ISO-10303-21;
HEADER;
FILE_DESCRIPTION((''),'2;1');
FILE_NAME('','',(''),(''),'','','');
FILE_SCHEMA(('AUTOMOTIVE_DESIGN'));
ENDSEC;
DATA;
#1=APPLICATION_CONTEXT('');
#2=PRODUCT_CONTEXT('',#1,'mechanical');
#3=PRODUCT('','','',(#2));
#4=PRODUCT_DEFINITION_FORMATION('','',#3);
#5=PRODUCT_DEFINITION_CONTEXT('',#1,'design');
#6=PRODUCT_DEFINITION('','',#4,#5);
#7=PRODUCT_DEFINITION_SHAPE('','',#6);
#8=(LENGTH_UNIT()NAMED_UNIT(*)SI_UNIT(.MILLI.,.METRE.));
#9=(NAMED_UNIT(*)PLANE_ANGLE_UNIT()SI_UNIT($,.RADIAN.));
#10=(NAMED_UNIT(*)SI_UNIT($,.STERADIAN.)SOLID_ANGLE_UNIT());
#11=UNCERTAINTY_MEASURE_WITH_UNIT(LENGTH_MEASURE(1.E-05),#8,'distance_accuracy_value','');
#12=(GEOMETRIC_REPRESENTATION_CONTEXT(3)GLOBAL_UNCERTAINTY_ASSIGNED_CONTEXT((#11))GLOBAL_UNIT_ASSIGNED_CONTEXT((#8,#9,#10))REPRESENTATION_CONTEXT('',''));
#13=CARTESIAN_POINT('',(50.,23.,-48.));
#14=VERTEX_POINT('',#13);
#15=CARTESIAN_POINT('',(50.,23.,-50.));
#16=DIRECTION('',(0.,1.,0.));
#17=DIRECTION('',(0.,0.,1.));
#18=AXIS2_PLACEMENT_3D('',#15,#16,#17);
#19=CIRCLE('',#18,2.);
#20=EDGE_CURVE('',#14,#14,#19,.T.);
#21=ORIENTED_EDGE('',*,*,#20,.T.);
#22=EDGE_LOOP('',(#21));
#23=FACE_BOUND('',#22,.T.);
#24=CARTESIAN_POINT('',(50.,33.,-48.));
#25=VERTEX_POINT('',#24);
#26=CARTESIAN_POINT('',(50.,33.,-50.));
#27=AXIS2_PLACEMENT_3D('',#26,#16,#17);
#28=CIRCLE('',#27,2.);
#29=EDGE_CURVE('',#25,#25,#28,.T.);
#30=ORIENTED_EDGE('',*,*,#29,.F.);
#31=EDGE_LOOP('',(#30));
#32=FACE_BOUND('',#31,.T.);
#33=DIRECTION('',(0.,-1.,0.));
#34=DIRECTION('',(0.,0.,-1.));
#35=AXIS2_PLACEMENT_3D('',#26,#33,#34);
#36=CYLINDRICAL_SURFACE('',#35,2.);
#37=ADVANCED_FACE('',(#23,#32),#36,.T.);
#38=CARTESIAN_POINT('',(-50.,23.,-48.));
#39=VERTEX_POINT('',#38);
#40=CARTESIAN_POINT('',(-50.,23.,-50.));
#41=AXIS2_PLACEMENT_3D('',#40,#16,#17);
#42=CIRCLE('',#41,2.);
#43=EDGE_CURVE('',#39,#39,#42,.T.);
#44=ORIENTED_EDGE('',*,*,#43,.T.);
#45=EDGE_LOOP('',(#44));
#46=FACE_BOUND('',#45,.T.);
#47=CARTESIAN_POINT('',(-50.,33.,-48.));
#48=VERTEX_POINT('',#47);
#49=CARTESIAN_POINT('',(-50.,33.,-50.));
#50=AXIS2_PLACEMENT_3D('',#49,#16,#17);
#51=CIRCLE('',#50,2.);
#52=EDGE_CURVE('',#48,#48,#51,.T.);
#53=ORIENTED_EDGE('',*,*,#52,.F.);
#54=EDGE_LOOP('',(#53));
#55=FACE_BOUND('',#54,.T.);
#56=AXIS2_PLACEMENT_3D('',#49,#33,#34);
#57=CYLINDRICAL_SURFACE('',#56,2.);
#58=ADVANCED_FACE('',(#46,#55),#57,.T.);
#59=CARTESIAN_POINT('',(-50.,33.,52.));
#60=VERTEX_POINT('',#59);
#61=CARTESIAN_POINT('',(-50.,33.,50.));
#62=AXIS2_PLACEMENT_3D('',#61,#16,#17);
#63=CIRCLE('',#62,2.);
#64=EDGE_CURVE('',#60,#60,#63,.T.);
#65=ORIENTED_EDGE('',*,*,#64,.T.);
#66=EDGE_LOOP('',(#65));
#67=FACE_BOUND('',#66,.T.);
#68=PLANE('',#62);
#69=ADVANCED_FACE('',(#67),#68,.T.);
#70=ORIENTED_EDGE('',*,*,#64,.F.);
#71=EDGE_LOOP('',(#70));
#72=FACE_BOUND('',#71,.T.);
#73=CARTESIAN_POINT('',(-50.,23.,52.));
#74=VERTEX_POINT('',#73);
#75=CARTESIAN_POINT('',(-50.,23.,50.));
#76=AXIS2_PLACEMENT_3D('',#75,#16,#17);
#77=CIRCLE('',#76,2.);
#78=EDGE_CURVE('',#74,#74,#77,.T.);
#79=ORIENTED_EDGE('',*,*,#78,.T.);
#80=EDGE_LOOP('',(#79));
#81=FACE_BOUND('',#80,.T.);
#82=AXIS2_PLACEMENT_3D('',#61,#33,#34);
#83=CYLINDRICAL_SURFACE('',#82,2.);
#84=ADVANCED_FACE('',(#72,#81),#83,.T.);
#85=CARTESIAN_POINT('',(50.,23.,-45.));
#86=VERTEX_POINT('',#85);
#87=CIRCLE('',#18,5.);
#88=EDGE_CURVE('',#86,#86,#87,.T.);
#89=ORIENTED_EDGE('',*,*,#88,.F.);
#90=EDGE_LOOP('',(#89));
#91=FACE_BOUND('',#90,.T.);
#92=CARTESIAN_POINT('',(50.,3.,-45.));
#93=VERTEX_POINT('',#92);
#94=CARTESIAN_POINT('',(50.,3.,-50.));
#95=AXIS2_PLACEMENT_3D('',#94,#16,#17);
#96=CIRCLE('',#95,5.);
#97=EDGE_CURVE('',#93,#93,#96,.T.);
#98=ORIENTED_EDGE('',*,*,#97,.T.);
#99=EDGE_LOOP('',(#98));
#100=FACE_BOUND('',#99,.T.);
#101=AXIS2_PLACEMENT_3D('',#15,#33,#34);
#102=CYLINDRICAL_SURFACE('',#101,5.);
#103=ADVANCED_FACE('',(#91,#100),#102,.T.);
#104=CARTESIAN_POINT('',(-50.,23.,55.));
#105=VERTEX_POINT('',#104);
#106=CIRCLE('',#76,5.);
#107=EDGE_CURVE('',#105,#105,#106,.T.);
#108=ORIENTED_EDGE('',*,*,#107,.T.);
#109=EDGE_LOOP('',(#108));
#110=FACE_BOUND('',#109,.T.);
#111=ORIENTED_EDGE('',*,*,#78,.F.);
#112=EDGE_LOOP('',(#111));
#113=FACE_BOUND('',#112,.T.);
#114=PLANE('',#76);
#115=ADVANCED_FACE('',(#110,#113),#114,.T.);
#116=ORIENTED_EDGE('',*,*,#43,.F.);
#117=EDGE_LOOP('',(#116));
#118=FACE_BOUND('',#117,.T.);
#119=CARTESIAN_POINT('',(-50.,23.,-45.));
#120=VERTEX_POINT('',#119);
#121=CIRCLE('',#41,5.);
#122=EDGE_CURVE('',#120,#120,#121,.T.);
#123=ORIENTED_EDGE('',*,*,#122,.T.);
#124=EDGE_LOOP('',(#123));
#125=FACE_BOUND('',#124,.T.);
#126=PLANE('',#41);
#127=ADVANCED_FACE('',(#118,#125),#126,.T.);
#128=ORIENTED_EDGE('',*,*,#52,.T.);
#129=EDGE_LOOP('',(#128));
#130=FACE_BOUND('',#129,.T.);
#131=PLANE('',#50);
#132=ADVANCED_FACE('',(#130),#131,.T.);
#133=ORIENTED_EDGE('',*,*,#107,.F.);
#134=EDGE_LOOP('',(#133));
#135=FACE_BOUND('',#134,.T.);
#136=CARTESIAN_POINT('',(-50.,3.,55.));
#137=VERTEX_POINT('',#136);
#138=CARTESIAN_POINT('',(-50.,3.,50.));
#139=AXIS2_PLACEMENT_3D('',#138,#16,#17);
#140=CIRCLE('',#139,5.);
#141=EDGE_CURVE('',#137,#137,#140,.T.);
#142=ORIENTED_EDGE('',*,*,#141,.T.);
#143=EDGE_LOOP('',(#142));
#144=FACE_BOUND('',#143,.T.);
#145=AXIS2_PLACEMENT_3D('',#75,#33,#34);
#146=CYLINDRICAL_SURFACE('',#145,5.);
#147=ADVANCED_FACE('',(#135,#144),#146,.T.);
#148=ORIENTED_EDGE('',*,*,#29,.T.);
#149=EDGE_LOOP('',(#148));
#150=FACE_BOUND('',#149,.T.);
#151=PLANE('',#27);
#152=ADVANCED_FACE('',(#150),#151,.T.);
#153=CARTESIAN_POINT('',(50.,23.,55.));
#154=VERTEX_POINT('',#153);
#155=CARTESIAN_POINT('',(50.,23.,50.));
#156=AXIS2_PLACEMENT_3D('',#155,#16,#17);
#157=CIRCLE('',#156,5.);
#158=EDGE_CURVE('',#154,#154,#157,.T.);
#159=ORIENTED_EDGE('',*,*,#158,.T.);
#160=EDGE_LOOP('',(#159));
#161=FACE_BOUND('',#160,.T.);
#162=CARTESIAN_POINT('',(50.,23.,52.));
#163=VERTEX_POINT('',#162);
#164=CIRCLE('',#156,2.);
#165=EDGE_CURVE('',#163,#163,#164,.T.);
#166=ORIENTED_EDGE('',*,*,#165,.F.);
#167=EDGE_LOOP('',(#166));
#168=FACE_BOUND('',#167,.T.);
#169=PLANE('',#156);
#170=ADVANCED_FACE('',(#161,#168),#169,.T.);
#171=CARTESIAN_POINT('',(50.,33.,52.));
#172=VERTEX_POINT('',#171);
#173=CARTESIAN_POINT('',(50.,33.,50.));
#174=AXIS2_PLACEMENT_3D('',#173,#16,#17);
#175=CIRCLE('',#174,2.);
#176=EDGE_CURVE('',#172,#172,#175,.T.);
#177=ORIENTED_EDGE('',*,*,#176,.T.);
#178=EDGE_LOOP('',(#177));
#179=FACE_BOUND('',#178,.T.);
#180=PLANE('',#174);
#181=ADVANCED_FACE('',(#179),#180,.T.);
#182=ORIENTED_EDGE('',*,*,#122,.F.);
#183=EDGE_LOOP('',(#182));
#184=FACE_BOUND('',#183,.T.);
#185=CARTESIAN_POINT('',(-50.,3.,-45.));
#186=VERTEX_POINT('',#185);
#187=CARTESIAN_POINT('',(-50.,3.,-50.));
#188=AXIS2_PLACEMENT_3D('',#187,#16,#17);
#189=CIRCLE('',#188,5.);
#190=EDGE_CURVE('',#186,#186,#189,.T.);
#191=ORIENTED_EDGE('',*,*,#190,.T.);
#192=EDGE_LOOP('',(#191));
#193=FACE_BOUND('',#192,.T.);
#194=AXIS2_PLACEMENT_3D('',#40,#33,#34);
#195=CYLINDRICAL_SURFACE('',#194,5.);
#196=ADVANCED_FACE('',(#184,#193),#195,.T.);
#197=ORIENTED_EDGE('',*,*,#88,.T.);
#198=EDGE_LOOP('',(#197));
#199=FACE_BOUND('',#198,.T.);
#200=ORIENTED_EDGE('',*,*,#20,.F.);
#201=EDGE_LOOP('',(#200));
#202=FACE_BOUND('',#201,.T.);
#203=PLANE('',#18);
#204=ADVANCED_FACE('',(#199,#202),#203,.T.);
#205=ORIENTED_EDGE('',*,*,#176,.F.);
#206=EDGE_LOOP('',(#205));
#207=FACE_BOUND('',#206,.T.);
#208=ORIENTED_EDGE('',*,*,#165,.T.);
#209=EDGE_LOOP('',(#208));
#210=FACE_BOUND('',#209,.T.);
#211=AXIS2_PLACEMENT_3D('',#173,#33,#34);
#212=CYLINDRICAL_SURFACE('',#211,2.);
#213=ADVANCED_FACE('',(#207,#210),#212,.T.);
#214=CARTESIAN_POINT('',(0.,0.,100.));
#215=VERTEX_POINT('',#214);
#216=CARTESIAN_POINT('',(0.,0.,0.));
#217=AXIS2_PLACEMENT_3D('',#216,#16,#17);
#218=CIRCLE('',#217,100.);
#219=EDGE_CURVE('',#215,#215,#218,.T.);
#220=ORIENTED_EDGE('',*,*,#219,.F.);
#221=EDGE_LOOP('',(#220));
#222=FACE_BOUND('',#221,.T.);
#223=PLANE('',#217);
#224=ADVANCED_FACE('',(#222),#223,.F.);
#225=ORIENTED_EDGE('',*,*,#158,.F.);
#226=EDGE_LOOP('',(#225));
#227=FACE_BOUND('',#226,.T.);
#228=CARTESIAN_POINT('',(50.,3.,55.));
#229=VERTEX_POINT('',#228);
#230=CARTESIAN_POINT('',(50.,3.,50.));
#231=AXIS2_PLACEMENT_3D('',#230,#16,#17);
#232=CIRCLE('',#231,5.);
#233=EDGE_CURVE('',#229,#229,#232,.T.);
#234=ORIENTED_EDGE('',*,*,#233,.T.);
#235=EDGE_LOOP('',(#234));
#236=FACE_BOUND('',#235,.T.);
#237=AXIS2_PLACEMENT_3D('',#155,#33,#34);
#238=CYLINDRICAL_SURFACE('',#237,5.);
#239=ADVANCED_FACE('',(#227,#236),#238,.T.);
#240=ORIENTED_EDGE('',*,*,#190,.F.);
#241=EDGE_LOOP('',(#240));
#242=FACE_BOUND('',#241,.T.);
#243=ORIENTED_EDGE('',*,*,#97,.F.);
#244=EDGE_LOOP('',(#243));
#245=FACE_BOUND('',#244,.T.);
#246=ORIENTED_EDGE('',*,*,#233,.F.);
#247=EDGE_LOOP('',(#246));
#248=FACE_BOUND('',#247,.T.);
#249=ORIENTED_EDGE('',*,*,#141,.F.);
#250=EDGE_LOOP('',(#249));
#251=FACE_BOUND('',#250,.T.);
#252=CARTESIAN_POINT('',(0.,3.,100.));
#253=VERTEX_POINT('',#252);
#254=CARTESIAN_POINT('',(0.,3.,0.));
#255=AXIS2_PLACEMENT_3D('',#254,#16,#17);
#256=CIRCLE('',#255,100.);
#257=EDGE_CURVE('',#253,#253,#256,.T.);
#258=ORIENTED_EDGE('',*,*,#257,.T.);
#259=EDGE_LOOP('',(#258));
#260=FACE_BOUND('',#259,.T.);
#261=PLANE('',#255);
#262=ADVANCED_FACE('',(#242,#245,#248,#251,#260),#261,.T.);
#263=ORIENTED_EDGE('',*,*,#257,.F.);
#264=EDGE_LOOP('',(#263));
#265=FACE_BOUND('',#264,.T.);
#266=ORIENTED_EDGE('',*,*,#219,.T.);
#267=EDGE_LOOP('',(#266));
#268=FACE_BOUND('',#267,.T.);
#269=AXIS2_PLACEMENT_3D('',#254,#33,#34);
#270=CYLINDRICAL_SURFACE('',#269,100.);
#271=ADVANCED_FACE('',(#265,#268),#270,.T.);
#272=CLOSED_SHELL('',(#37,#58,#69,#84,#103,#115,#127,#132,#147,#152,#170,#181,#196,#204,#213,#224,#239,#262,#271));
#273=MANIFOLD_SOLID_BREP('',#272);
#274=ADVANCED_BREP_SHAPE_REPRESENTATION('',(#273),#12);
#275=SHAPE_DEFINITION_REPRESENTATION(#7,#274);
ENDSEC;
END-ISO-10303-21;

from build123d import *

# Parameters (mm, degrees)
SKETCH3_R           = 100
BOSS_EXTRUDE1_DEPTH = 3
SKETCH4_R           = 5
BOSS_EXTRUDE2_DEPTH = 20
SKETCH5_R           = 2
BOSS_EXTRUDE3_DEPTH = 10


with BuildPart() as part:
    # Sketch3 → Boss-Extrude1 (new body)
    with BuildSketch(Plane(origin=(0, 0, 0), x_dir=(1, 0, 0), z_dir=(0, 1, 0))):
        with Locations(Location((0, 0, 0), (0, 0, 270))):
            Circle(SKETCH3_R)
    extrude(amount=BOSS_EXTRUDE1_DEPTH)

    # Sketch4 → Boss-Extrude2 (add)
    with BuildSketch(Plane(origin=(0, 3, 0), x_dir=(1, 0, 0), z_dir=(0, 1, 0))):
        with Locations(Location((-50, 50, 0), (0, 0, 270))):
            Circle(SKETCH4_R)
        with Locations(Location((50, 50, 0), (0, 0, 270))):
            Circle(SKETCH4_R)
        with Locations(Location((50, -50, 0), (0, 0, 270))):
            Circle(SKETCH4_R)
        with Locations(Location((-50, -50, 0), (0, 0, 270))):
            Circle(SKETCH4_R)
    extrude(amount=BOSS_EXTRUDE2_DEPTH)

    # Sketch5 → Boss-Extrude3 (add)
    with BuildSketch(Plane(origin=(0, 23, 0), x_dir=(1, 0, 0), z_dir=(0, 1, 0))):
        with Locations(Location((50, -50, 0), (0, 0, 270))):
            Circle(SKETCH5_R)
        with Locations(Location((-50, -50, 0), (0, 0, 270))):
            Circle(SKETCH5_R)
        with Locations(Location((-50, 50, 0), (0, 0, 270))):
            Circle(SKETCH5_R)
        with Locations(Location((50, 50, 0), (0, 0, 270))):
            Circle(SKETCH5_R)
    extrude(amount=BOSS_EXTRUDE3_DEPTH)


solid = part.part
